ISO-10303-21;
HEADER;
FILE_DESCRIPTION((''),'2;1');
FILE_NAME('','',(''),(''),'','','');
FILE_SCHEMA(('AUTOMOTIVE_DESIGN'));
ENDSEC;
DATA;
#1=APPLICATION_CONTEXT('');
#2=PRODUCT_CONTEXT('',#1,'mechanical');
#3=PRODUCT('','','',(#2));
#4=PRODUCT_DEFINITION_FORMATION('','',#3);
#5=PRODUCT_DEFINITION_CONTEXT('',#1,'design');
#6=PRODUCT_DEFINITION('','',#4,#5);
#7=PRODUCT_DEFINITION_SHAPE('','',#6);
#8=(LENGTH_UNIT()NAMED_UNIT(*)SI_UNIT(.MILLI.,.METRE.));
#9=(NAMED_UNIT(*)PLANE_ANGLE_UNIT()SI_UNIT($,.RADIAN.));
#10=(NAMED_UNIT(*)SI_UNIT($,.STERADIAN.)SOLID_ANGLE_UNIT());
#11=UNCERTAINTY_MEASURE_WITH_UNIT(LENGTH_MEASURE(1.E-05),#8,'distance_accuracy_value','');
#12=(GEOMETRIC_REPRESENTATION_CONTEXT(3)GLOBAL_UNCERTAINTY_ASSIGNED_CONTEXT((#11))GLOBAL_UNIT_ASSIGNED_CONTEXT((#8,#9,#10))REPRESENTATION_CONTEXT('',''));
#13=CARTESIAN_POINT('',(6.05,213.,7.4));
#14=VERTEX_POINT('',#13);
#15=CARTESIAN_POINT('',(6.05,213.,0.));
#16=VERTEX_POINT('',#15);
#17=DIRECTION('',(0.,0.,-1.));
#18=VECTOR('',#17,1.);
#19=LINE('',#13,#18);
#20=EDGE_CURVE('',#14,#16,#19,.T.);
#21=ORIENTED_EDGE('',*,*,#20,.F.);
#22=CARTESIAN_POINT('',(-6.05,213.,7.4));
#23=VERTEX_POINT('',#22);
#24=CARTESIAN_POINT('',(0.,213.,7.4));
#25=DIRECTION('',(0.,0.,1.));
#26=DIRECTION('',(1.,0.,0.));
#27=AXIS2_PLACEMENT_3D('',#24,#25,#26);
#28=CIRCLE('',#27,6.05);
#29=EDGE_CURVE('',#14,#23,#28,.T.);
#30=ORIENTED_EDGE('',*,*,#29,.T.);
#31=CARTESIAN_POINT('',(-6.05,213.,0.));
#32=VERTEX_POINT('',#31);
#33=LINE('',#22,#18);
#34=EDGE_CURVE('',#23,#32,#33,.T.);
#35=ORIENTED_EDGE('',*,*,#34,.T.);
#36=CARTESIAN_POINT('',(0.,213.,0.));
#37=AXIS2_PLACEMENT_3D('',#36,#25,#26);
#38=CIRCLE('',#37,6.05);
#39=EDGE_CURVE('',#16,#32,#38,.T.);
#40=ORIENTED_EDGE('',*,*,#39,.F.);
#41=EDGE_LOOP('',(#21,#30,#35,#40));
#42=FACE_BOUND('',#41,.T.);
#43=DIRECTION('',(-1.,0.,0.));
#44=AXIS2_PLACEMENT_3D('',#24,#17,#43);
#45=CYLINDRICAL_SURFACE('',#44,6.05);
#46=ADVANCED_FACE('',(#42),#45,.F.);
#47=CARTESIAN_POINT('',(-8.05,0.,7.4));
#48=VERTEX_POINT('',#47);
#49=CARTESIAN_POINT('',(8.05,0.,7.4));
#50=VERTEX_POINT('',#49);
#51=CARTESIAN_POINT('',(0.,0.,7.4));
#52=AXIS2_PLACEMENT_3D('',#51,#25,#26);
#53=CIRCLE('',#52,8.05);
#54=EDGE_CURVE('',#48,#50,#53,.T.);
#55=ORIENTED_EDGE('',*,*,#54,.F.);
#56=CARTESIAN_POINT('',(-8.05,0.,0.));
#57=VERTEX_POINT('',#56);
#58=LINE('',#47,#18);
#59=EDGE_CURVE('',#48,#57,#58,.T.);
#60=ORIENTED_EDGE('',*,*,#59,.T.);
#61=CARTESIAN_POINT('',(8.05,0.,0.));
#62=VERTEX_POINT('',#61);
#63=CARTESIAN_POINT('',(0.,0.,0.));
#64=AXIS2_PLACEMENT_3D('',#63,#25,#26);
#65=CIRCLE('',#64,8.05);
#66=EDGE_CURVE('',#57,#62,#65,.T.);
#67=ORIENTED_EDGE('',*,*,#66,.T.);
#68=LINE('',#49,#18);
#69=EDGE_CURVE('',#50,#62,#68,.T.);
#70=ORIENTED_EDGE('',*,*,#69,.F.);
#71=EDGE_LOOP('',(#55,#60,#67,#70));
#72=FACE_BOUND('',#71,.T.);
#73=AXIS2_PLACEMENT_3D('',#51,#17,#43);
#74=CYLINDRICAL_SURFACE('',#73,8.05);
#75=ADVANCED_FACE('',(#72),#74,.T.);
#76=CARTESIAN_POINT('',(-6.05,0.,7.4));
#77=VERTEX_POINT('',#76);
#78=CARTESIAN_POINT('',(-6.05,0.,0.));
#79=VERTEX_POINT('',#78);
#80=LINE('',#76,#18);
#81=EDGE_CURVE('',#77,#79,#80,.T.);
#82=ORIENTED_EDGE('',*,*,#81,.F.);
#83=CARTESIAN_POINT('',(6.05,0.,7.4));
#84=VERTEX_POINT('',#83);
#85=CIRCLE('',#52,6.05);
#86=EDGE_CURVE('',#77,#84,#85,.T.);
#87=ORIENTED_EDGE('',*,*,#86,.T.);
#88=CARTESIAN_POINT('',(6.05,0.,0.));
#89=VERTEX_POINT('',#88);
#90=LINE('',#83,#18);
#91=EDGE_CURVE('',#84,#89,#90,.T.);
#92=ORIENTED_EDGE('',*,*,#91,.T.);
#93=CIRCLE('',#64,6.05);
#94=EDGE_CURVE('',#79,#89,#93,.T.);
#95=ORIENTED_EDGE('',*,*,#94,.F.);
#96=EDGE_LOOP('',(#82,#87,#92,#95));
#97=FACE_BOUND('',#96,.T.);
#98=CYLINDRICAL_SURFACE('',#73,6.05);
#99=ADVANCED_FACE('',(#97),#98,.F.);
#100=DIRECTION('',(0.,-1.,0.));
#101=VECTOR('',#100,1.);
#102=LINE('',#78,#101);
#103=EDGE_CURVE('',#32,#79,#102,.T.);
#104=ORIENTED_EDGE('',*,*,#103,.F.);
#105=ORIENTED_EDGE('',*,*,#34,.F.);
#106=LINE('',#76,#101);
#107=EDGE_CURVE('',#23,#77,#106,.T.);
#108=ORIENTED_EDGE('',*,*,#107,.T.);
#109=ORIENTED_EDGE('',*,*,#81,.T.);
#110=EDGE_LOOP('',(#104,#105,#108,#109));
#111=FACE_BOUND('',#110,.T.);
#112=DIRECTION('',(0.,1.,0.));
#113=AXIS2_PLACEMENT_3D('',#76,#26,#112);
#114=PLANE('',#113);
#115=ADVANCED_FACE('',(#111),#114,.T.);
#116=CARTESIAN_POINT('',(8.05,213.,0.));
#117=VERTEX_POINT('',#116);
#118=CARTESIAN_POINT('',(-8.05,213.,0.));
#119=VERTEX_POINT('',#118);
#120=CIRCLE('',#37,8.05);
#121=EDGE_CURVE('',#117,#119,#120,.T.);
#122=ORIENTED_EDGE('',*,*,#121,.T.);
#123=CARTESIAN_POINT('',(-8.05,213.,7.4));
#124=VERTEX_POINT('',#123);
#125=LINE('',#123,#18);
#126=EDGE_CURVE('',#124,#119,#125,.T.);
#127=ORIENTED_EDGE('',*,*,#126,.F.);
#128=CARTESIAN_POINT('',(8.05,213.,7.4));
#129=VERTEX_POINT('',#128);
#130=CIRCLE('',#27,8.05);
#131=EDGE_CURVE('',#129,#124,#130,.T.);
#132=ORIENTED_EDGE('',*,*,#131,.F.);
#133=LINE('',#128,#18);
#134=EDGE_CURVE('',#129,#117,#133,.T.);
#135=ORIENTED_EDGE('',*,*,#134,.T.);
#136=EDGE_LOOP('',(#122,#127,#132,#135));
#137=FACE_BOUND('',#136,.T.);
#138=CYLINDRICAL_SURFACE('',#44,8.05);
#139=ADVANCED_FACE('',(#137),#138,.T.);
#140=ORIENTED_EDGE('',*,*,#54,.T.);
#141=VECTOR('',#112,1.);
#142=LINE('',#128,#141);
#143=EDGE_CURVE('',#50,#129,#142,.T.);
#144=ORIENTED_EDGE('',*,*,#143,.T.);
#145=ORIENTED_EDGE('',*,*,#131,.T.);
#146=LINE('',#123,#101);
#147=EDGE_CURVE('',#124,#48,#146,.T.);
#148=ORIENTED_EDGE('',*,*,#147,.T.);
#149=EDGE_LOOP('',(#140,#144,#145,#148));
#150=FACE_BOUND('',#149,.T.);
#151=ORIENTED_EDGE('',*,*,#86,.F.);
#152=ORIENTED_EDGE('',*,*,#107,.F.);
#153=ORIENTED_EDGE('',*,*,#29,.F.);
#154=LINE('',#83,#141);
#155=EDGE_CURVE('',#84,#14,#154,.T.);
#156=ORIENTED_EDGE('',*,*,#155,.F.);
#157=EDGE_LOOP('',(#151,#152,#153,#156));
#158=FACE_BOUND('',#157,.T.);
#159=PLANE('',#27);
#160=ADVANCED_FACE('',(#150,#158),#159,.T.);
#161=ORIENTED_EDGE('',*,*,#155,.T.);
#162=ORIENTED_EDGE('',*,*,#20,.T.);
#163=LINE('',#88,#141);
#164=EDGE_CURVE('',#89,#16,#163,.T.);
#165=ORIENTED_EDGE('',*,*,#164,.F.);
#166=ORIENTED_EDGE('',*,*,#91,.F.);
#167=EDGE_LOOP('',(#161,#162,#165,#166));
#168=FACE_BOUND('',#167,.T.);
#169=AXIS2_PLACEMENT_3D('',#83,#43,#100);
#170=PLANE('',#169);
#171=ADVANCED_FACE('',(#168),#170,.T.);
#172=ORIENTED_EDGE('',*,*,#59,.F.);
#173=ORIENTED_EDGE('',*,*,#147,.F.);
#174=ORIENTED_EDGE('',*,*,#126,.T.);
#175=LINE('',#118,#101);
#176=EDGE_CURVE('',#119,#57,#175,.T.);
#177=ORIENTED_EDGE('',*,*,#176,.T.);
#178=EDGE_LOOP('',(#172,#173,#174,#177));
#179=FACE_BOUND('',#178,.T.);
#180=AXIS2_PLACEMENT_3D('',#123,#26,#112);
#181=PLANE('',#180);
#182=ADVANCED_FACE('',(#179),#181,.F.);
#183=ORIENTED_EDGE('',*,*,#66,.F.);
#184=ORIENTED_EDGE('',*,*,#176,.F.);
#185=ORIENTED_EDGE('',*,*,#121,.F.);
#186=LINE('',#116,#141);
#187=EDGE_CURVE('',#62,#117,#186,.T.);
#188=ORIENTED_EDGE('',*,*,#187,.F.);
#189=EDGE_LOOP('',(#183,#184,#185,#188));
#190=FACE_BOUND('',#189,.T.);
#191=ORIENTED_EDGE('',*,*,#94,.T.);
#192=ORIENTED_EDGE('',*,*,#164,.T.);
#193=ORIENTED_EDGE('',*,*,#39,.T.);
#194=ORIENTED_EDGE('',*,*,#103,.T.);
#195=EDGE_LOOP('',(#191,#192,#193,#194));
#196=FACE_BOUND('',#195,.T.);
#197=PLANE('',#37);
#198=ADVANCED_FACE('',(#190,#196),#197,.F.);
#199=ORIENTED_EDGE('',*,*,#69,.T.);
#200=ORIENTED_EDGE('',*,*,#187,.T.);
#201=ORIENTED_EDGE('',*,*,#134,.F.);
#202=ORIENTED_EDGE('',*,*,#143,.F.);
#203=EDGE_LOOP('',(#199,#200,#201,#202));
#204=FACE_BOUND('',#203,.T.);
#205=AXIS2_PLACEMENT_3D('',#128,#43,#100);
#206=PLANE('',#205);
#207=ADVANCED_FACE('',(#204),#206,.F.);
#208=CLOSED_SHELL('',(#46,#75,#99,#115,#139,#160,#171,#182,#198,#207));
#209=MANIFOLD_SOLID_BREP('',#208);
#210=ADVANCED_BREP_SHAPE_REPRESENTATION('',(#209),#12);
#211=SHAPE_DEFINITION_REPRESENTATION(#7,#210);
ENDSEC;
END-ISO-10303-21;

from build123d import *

# Parameters (mm, degrees)
EXTRUDE_1_DEPTH = 7.4


with BuildPart() as part:
    # Эскиз1 → Бобышка-Вытянуть1 (new body)
    with BuildSketch(Plane.XY):
        with BuildLine():
            Line((-8.05, 213), (-8.05, 0))
            ThreePointArc((-8.05, 0), (0, -8.05), (8.05, 0))
            Line((8.05, 0), (8.05, 213))
            ThreePointArc((8.05, 213), (0, 221.05), (-8.05, 213))
        make_face()
        with BuildLine():
            Line((-6.05, 0), (-6.05, 213))
            ThreePointArc((-6.05, 213), (0, 219.05), (6.05, 213))
            Line((6.05, 213), (6.05, 0))
            ThreePointArc((6.05, 0), (0, -6.05), (-6.05, 0))
        make_face(mode=Mode.SUBTRACT)
    extrude(amount=EXTRUDE_1_DEPTH)


solid = part.part
